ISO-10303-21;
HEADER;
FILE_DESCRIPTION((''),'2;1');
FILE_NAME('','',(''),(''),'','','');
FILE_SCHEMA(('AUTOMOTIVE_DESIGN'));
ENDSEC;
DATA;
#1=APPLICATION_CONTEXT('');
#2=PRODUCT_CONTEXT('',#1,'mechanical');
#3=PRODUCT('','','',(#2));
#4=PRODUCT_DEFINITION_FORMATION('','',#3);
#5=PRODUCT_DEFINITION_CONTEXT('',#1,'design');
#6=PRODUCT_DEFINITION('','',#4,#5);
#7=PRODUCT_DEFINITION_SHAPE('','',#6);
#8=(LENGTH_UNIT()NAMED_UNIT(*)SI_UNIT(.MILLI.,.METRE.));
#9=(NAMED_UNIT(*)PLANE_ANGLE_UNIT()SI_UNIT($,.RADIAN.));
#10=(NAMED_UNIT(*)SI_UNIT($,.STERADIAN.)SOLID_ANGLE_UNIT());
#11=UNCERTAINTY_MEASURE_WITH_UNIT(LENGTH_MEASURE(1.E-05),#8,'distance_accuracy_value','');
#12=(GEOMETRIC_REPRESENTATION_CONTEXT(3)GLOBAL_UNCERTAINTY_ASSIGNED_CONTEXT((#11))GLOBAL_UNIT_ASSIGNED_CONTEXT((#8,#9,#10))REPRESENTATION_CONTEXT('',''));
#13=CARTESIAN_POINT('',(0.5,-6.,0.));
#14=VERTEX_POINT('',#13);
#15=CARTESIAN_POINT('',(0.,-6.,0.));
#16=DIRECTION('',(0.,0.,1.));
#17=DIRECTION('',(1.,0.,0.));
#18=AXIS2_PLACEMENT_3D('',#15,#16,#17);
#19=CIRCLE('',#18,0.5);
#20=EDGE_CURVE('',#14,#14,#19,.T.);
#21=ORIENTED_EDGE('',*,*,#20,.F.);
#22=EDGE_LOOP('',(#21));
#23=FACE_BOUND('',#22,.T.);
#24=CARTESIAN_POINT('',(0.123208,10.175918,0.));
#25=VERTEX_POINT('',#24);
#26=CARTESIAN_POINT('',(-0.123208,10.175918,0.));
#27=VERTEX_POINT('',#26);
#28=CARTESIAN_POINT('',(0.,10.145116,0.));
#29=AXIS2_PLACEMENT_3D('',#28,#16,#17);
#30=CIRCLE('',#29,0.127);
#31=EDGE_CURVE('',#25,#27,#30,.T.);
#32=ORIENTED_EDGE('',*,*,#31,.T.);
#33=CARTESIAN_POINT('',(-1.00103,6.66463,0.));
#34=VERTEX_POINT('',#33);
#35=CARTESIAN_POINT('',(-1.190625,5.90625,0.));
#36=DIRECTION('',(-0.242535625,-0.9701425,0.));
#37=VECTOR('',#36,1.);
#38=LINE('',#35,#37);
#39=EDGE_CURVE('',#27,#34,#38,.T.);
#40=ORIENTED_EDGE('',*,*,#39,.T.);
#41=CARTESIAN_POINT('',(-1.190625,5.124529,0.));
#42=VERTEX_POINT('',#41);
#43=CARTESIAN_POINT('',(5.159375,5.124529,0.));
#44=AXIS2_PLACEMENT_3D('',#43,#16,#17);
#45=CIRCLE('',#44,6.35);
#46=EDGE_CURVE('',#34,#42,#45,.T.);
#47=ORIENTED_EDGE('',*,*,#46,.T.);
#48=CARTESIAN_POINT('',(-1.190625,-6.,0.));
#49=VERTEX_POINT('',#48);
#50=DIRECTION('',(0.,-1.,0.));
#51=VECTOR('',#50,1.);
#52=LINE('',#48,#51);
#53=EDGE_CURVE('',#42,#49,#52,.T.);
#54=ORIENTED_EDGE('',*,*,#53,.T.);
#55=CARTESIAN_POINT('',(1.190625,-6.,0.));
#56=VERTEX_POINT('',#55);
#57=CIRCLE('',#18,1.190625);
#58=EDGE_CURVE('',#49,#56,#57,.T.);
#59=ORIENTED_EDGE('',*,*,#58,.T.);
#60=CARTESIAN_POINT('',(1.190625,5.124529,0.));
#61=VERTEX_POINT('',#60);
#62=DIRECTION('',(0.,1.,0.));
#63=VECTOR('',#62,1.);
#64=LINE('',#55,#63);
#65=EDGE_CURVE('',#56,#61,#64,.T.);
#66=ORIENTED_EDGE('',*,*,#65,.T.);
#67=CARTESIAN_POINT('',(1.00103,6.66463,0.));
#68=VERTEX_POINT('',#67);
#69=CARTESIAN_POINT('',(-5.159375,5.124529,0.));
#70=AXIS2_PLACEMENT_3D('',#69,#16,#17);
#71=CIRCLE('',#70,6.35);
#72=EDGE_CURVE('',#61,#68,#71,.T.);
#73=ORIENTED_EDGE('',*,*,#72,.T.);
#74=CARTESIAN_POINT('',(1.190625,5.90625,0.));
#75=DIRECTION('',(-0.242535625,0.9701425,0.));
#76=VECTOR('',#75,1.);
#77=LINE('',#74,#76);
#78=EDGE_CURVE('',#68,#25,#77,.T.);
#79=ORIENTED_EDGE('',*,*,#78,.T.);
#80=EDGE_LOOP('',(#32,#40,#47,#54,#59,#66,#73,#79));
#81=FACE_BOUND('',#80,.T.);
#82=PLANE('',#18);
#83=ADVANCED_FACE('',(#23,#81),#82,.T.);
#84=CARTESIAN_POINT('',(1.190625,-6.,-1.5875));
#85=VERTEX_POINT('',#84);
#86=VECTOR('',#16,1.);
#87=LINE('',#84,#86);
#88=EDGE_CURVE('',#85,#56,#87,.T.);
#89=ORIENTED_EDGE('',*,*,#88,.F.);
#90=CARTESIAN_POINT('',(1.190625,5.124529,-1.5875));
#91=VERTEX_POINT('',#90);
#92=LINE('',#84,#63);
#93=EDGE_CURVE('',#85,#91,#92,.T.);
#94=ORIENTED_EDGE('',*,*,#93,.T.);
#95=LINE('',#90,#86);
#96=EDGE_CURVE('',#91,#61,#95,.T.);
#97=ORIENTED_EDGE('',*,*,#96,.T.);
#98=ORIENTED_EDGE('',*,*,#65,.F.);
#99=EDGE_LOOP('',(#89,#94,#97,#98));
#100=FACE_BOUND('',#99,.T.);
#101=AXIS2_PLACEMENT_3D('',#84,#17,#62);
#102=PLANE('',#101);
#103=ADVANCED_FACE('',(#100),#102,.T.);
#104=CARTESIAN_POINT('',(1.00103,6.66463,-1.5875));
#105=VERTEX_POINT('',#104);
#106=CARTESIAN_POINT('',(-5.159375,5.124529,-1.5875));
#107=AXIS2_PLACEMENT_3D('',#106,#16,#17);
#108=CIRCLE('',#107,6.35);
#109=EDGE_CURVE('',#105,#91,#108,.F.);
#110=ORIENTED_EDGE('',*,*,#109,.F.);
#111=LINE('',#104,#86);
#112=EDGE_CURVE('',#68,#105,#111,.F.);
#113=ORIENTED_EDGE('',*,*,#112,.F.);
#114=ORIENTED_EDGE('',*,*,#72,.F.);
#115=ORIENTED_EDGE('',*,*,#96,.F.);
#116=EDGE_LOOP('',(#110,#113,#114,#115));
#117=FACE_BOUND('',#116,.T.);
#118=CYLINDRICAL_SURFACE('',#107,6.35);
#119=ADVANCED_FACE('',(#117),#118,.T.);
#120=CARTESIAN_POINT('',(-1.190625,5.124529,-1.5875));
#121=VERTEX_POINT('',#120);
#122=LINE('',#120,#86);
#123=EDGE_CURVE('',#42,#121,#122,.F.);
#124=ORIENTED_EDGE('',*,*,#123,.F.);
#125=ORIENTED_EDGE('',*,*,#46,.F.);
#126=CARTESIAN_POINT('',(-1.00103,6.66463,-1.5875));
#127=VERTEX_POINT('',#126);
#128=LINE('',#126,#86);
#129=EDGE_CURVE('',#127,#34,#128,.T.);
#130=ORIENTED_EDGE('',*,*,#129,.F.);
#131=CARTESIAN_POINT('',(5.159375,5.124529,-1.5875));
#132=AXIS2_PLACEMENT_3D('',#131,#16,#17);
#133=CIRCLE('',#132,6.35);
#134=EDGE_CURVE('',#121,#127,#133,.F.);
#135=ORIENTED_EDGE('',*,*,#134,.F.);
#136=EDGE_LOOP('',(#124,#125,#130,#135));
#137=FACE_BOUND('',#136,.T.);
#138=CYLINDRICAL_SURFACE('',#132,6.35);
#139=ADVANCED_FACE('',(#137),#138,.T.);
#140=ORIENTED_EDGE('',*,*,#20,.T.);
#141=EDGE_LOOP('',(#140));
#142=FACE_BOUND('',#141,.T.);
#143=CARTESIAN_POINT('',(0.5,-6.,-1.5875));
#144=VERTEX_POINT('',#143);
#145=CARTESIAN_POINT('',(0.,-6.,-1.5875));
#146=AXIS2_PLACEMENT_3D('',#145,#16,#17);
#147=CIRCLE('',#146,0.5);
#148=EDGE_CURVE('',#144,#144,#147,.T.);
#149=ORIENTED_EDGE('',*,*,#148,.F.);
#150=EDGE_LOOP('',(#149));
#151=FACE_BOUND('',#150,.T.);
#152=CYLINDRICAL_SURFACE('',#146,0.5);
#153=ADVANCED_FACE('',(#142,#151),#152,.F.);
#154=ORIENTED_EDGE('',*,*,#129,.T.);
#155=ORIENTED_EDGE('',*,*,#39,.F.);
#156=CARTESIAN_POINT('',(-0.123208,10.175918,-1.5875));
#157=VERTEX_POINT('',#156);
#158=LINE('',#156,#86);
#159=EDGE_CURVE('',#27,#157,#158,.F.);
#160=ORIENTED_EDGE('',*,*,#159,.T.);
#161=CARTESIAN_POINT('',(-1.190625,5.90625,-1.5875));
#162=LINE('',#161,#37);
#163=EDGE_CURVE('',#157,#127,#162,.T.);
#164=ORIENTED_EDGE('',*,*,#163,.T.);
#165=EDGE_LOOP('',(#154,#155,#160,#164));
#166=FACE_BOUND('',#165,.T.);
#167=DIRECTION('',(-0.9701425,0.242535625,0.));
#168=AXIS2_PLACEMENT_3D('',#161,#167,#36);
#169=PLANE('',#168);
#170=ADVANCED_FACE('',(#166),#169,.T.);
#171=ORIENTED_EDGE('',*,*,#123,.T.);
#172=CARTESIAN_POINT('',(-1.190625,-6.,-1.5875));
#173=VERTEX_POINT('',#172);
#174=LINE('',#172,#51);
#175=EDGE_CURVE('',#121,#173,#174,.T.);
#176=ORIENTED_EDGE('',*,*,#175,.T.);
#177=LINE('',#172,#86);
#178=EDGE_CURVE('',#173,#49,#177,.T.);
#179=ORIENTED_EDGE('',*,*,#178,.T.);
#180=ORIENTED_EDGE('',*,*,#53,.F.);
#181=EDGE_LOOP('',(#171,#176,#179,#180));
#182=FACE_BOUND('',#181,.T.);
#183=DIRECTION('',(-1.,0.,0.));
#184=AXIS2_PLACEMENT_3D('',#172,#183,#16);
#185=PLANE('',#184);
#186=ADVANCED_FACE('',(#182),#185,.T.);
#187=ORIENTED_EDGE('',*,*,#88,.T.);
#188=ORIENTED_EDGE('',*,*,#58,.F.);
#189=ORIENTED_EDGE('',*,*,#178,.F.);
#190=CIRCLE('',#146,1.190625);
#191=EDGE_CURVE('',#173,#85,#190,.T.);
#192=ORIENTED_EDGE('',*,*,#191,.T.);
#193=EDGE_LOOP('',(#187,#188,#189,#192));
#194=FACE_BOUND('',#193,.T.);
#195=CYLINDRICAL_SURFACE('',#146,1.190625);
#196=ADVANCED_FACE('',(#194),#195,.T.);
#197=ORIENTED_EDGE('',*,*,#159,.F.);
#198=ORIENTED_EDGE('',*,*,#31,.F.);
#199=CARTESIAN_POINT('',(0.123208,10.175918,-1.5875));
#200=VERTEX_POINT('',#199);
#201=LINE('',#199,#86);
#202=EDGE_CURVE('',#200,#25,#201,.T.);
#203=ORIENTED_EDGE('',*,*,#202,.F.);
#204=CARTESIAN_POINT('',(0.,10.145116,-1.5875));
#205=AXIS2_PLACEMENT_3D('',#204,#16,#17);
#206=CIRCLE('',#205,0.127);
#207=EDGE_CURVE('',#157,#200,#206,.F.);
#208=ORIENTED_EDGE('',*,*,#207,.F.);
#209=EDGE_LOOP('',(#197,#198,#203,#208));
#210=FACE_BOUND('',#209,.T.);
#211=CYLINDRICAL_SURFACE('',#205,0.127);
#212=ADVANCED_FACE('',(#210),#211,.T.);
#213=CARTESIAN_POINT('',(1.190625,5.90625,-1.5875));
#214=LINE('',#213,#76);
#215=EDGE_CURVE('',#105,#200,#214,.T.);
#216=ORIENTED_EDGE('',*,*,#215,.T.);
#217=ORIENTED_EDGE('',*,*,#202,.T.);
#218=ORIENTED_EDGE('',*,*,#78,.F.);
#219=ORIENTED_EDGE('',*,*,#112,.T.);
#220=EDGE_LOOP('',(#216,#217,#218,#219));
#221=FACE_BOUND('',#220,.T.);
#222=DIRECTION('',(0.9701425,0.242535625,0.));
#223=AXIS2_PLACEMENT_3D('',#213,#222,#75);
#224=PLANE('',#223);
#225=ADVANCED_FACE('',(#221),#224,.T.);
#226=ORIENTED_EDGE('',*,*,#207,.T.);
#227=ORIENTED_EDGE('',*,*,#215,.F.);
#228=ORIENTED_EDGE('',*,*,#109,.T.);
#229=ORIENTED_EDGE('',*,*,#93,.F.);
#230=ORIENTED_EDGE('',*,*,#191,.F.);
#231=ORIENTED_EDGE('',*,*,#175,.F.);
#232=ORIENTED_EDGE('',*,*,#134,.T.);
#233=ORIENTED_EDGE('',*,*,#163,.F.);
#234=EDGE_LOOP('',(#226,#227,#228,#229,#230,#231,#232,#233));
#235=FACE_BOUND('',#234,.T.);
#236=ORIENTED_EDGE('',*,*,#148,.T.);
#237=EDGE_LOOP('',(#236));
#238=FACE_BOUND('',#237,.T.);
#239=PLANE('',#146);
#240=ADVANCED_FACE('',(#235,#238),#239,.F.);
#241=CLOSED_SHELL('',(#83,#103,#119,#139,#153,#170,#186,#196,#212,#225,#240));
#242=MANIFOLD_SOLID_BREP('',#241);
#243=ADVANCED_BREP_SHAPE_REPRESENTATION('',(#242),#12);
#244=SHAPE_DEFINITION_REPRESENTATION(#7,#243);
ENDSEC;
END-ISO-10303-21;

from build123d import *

# Parameters (mm, degrees)
SKETCH1_R           = 0.5
BOSS_EXTRUDE1_DEPTH = 1.5875
FILLET1_R           = 6.35
FILLET2_R           = 0.127


with BuildPart() as part:
    # Sketch1 → Boss-Extrude1 (new body)
    with BuildSketch(Plane.XY):
        with BuildLine():
            Line((-1.190625, -6), (-1.190625, 5.90625))
            Line((-1.190625, 5.90625), (0, 10.66875))
            Line((0, 10.66875), (1.190625, 5.90625))
            Line((1.190625, 5.90625), (1.190625, -6))
            ThreePointArc((1.190625, -6), (0, -7.190625), (-1.190625, -6))
        make_face()
        with Locations((0, -6)):
            Circle(SKETCH1_R, mode=Mode.SUBTRACT)
    extrude(amount=-BOSS_EXTRUDE1_DEPTH)

    # Fillet1
    fillet1_edges = [part.edges().sort_by_distance(p)[0] for p in [
        (-1.190625, 5.90625, -0.79375),
        (1.190625, 5.90625, -0.79375),
    ]]
    fillet(fillet1_edges, radius=FILLET1_R)

    # Fillet2
    fillet2_edges = [part.edges().sort_by_distance(p)[0] for p in [
        (0, 10.66875, -0.79375),
    ]]
    fillet(fillet2_edges, radius=FILLET2_R)


solid = part.part
